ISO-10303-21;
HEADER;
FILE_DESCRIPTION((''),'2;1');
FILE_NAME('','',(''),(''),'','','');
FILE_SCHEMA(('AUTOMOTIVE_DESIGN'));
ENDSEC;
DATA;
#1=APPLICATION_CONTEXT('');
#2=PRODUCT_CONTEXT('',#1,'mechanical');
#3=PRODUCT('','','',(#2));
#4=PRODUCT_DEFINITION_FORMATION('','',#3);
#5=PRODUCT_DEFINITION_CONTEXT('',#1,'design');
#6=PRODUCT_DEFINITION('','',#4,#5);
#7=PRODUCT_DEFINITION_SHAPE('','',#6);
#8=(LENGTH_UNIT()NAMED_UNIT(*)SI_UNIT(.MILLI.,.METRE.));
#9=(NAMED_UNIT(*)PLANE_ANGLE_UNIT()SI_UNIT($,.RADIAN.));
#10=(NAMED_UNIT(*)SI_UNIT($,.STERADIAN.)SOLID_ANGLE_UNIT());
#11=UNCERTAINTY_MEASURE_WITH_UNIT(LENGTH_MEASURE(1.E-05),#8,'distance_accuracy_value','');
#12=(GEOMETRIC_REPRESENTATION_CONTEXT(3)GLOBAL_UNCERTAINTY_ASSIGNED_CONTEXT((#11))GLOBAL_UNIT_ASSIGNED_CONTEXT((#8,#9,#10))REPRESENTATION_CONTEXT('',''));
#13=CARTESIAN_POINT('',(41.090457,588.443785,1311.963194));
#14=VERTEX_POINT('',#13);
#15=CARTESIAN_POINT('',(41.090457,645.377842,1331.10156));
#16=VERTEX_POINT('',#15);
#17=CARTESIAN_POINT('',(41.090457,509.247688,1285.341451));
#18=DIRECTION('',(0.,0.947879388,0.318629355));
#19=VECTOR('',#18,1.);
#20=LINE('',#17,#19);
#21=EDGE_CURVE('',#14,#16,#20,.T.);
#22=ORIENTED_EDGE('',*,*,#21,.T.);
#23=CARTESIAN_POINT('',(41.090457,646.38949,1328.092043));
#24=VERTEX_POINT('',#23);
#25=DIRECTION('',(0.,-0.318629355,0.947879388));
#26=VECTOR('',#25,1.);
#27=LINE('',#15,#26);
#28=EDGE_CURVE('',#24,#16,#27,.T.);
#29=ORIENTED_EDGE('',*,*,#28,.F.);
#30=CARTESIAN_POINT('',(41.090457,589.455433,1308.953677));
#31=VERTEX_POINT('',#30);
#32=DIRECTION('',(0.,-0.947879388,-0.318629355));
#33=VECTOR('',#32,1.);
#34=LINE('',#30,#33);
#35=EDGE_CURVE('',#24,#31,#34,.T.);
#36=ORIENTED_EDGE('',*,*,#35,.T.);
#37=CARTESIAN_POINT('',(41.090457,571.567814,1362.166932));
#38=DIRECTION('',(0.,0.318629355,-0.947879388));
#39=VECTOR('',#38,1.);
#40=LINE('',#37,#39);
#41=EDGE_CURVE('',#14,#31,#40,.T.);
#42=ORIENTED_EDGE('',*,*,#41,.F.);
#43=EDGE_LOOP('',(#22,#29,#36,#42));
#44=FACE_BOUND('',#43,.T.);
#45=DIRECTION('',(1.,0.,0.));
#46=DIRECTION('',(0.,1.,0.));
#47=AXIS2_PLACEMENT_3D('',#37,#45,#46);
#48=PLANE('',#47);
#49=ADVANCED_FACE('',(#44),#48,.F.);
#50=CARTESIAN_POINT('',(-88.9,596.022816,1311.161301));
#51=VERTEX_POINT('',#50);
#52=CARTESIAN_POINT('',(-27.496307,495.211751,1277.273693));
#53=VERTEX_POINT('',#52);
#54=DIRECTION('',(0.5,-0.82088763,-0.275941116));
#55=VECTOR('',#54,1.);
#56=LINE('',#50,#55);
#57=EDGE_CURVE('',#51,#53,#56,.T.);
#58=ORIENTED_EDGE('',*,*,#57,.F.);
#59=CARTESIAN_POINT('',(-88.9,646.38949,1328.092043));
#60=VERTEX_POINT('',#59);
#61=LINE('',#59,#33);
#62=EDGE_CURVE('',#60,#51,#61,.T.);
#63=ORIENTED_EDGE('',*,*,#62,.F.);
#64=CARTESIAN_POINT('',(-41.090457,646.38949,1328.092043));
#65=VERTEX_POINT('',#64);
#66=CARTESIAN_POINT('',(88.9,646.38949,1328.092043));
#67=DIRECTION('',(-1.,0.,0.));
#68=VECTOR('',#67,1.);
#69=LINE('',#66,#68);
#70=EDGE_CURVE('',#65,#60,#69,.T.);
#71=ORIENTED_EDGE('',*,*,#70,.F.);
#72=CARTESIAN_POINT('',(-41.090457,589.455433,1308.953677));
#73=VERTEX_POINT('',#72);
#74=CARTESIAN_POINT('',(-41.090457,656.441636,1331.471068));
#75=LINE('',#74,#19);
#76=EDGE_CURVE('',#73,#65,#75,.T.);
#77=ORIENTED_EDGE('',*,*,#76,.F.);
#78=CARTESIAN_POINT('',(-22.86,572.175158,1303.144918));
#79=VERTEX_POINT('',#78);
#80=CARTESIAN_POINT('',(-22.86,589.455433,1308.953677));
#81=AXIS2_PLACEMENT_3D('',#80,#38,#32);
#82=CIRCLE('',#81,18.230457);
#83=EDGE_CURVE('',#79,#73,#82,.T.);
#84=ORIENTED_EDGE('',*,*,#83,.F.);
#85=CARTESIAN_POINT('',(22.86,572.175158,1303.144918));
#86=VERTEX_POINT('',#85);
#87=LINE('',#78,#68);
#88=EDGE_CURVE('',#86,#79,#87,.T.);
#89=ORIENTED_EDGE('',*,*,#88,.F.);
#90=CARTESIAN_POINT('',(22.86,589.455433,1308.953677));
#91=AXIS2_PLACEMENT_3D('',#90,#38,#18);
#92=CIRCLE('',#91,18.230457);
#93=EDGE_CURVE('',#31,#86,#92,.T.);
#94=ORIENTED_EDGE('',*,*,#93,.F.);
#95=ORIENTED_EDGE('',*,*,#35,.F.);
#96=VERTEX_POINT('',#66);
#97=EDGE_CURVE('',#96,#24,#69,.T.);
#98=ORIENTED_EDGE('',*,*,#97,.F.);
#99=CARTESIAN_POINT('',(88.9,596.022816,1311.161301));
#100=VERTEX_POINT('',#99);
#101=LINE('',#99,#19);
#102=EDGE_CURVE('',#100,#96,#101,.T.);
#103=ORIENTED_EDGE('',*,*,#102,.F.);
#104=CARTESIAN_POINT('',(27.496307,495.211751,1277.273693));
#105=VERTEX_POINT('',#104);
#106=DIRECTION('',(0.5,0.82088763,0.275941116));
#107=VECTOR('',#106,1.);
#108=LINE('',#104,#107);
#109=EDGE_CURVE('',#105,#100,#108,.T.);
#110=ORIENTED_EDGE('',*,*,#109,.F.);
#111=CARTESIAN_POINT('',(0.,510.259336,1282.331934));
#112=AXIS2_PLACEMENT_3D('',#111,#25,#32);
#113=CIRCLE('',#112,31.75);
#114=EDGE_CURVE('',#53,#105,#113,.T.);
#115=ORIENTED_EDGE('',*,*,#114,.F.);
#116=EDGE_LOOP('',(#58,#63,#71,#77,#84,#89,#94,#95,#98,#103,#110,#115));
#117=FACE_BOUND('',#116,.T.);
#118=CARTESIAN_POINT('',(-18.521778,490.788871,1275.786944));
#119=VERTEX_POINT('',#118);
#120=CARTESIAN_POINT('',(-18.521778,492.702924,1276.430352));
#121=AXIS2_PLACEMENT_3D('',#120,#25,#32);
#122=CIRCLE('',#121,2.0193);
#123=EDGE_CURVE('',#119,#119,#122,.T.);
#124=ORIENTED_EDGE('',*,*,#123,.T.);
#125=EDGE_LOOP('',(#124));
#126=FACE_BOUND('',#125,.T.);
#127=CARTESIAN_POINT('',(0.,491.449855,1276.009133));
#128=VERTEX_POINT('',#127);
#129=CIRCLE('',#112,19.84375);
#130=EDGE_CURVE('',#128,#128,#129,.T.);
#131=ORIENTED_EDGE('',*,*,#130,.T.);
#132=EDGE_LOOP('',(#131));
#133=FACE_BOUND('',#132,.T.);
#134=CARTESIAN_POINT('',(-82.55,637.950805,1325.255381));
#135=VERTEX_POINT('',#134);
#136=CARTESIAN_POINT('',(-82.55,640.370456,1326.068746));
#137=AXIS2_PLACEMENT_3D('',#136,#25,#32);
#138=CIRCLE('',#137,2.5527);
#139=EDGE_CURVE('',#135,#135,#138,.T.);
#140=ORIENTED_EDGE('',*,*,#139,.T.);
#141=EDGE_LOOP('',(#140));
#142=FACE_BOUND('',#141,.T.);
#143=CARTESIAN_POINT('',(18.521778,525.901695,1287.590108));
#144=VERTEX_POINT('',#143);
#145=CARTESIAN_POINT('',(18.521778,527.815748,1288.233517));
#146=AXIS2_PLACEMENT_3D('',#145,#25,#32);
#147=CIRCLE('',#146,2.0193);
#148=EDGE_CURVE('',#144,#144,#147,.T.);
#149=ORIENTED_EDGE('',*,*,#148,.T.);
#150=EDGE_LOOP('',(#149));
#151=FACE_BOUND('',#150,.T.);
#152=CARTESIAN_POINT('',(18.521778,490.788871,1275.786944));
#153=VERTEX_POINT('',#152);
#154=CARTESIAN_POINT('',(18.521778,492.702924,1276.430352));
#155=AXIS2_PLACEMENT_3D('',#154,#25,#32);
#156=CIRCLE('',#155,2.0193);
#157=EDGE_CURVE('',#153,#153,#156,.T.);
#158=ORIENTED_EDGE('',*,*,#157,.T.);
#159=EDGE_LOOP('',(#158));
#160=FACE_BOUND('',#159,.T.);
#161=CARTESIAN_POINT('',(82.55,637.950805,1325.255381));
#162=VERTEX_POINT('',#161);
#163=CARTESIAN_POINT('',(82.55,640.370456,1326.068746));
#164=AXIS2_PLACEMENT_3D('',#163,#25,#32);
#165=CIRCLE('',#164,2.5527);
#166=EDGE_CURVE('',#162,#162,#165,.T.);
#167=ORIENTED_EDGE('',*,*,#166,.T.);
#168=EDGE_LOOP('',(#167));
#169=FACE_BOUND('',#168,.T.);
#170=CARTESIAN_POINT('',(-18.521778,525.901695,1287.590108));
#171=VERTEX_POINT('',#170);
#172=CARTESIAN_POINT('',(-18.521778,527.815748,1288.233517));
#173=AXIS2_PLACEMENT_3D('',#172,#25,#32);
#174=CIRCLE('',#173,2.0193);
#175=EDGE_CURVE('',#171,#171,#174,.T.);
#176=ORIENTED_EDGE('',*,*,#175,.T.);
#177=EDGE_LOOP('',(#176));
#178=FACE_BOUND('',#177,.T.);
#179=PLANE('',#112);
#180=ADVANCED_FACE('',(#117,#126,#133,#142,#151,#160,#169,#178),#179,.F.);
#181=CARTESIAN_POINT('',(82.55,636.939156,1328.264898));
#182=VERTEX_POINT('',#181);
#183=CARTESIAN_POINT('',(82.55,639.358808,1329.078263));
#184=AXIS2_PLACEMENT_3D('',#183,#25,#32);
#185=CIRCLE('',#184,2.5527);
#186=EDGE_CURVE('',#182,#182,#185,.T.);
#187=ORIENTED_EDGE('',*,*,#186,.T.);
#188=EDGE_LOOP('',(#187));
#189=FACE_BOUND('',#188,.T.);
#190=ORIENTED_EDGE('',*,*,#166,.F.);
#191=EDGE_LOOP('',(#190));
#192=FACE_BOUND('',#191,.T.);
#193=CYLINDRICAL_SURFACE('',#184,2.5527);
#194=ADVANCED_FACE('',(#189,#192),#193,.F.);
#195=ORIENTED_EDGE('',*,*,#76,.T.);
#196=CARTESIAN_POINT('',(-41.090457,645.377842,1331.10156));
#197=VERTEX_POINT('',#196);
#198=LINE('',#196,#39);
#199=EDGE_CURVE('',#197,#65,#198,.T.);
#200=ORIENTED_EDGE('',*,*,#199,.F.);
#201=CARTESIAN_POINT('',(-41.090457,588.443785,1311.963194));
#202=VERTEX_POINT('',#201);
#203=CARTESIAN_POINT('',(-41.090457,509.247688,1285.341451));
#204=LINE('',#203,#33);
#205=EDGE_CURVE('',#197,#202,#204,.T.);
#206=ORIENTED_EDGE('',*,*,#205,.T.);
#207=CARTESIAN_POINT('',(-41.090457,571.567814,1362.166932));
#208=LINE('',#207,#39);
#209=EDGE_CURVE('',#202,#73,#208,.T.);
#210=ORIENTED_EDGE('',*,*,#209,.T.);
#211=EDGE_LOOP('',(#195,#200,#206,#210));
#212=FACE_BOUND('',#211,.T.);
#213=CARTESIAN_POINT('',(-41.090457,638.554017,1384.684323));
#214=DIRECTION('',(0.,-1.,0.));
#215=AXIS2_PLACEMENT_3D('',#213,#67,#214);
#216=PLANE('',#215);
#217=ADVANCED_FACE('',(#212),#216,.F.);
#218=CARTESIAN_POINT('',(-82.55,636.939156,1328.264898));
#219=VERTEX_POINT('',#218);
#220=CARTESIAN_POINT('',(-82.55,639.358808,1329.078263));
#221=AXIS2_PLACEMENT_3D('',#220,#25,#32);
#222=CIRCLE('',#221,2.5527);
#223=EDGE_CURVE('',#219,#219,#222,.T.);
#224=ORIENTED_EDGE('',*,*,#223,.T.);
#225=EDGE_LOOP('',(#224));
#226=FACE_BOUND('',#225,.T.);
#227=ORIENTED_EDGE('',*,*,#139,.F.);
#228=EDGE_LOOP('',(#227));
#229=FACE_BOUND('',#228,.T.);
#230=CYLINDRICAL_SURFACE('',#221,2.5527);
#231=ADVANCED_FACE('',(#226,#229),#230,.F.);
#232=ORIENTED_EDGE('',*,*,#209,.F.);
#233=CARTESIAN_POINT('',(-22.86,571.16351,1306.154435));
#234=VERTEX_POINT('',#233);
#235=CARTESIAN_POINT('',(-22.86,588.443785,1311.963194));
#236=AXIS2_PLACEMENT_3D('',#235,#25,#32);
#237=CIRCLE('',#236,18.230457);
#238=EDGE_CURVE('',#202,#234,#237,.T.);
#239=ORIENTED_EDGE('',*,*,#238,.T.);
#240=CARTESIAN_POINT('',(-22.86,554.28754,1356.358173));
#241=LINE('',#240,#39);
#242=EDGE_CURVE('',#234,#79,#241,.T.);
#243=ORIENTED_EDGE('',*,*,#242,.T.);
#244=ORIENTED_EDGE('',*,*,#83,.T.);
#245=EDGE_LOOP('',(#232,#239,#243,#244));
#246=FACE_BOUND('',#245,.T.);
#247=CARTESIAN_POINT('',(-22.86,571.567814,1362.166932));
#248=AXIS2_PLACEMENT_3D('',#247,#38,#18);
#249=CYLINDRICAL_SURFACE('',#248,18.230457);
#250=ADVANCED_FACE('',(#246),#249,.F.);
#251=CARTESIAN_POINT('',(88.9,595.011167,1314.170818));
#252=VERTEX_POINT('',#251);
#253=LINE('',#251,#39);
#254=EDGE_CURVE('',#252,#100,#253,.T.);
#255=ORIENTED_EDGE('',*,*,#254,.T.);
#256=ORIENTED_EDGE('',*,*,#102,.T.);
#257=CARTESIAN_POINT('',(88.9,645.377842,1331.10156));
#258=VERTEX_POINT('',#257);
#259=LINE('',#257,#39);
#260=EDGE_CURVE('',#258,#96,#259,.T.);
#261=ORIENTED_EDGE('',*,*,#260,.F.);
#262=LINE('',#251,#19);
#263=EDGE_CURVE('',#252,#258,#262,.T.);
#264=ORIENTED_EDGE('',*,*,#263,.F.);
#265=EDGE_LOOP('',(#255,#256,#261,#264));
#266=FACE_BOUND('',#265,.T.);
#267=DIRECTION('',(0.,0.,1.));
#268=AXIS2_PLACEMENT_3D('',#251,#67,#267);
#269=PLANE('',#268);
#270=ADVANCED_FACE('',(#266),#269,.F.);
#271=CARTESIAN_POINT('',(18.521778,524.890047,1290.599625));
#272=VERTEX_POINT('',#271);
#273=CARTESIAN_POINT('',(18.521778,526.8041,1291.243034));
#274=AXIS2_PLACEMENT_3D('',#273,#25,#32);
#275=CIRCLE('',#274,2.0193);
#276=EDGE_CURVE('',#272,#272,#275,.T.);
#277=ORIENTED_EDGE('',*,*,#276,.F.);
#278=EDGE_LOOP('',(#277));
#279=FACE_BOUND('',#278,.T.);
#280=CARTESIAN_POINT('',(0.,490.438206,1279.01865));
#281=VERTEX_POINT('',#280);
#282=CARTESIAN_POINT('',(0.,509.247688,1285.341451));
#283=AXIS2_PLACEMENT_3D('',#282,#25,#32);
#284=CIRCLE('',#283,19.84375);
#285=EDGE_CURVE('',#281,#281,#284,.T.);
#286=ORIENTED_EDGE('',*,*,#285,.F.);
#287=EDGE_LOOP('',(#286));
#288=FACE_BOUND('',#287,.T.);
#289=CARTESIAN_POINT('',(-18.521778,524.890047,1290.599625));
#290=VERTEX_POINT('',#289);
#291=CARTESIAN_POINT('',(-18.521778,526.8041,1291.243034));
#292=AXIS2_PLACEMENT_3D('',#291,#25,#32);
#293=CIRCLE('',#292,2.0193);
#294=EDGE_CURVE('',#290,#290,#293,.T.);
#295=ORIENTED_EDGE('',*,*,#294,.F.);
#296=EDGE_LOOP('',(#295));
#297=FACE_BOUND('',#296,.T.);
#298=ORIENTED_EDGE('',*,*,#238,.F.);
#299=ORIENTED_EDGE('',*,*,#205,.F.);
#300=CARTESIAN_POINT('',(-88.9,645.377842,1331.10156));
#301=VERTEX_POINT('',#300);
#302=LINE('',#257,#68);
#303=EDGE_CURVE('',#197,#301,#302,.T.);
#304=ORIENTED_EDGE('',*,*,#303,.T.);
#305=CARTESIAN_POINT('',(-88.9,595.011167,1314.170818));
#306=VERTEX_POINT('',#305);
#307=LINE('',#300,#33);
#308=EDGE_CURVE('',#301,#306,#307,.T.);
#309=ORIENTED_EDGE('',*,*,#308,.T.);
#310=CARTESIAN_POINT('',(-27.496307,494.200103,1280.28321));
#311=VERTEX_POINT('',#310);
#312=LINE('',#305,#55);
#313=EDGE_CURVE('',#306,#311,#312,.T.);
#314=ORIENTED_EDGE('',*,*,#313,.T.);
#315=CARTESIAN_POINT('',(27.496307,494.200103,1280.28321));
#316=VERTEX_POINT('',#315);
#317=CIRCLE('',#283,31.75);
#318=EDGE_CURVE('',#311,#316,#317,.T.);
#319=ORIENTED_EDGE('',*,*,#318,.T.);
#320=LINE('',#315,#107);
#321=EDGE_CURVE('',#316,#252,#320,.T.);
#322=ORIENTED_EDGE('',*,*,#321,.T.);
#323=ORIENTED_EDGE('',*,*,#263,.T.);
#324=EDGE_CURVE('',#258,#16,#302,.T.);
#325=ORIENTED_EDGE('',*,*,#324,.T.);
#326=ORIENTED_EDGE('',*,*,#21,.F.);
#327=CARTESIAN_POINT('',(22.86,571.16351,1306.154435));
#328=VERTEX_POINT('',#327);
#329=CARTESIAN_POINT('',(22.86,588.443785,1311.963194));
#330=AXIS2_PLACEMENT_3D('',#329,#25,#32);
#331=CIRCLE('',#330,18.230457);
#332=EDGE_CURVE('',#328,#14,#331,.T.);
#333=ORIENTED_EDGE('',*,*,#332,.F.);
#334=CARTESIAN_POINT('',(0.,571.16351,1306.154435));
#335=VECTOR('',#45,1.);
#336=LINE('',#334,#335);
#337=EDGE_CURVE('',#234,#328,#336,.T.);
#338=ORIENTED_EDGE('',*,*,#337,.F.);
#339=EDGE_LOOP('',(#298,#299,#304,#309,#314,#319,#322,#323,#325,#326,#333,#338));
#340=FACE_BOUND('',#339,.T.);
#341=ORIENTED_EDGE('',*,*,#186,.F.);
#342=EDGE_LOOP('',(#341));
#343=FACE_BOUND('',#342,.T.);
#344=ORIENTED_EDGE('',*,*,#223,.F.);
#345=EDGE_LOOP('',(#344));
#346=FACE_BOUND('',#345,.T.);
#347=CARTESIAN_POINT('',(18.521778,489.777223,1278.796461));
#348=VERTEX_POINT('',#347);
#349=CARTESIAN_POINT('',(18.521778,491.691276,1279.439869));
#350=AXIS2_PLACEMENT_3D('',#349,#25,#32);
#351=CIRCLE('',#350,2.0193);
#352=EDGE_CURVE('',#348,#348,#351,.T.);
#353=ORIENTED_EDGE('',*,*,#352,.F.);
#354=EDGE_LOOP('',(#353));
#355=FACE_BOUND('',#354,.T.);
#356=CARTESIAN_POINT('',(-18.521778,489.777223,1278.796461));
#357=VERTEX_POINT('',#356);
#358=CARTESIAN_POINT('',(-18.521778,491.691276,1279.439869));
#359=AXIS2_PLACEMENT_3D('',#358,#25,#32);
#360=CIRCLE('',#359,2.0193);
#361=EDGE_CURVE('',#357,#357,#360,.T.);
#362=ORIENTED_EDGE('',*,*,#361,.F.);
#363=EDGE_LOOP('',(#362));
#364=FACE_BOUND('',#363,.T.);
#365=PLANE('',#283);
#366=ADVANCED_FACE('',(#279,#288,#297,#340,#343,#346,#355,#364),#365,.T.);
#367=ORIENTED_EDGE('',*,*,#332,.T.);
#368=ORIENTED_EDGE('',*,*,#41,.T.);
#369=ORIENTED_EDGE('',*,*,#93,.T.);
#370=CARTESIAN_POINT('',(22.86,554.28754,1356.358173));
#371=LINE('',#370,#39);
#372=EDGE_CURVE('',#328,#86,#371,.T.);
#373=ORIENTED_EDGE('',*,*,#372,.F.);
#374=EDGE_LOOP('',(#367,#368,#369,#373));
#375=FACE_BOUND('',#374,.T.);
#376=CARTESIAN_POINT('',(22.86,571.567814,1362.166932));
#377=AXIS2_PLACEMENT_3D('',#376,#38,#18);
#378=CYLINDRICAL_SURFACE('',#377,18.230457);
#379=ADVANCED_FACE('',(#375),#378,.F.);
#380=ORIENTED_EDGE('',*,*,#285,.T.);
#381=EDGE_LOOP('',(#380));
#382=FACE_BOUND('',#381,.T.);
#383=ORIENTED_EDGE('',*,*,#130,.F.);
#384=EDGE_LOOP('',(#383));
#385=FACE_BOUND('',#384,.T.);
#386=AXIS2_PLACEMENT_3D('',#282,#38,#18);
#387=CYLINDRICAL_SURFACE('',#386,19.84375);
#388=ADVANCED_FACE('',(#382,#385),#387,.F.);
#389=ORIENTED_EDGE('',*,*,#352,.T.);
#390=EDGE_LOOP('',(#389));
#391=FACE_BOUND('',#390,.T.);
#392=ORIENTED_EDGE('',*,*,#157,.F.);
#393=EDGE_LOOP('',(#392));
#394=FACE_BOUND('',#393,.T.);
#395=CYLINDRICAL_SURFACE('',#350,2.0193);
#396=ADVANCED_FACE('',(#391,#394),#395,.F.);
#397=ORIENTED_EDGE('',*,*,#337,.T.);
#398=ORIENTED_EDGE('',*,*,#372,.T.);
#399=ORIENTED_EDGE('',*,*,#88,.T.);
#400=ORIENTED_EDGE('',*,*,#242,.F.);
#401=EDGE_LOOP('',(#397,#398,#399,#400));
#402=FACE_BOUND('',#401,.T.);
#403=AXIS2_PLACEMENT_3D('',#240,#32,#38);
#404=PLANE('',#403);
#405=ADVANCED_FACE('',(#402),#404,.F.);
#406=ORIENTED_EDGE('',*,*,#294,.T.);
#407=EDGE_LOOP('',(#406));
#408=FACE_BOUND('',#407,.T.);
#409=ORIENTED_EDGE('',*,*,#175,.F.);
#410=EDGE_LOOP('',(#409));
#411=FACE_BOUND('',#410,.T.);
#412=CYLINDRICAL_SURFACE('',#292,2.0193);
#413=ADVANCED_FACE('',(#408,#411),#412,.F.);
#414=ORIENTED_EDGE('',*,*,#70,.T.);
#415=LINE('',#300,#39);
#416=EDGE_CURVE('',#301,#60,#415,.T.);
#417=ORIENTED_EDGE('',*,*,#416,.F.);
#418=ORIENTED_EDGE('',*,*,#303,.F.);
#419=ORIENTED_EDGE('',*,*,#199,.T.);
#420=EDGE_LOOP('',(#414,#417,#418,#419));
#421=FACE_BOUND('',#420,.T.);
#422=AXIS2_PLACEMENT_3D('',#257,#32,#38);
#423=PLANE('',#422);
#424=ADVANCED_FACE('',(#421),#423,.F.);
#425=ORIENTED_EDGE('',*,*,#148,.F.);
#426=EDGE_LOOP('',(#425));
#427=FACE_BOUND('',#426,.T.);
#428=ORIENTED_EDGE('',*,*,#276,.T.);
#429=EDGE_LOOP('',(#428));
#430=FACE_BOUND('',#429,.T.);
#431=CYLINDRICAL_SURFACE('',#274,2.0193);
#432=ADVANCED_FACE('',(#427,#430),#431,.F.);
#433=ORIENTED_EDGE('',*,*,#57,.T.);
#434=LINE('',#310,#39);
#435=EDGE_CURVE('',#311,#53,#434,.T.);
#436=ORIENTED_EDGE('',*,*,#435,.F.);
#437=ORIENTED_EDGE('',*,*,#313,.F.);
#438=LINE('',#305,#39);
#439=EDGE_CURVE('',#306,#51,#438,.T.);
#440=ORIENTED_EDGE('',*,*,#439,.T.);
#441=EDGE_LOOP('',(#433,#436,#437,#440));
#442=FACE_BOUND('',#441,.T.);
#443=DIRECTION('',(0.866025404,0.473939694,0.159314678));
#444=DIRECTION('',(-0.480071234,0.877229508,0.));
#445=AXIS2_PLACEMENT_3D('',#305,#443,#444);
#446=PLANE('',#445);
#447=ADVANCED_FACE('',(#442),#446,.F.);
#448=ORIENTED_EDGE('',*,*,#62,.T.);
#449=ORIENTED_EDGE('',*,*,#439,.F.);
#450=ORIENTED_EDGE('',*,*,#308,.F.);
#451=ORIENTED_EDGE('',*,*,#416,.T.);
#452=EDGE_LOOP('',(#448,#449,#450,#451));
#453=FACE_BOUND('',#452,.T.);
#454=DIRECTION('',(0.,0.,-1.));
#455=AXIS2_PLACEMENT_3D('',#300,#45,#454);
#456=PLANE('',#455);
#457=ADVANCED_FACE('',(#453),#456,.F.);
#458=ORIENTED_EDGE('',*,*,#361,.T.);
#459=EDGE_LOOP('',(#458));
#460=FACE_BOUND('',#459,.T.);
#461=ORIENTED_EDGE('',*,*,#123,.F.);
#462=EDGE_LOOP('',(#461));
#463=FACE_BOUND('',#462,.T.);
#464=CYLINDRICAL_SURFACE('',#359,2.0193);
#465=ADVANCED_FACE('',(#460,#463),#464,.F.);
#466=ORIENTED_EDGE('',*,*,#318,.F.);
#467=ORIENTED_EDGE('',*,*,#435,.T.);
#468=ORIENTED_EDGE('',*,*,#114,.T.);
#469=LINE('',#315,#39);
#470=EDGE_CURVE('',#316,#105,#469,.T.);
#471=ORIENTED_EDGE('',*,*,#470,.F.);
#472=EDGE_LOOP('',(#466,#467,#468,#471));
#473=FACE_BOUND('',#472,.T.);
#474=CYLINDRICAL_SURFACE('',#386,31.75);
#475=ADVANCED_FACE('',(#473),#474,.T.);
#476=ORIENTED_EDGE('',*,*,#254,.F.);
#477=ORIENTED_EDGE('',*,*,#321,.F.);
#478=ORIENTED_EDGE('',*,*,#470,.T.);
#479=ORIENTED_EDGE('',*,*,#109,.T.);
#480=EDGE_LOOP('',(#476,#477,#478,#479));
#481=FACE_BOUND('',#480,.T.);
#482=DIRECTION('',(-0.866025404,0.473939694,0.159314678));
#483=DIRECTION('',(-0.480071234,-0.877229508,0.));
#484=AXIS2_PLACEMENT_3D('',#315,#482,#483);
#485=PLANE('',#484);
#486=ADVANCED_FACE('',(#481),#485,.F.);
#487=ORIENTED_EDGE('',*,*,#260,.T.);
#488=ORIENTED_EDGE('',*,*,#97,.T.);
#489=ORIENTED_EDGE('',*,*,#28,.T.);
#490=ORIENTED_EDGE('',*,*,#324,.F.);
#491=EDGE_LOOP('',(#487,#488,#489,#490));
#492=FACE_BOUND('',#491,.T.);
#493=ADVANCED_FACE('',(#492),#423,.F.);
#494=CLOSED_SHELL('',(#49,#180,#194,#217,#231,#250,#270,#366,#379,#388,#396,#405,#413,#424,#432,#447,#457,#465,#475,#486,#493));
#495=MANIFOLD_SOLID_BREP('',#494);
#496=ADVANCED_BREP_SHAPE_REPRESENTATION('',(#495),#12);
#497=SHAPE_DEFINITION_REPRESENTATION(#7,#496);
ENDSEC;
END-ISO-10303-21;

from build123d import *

# Parameters (mm, degrees)
SKETCH1_R               = 19.84375
BOSS_EXTRUDE1_DEPTH     = 3.175
F_1_4_20_TAPPED_HOLE1_D = 5.1054
F_10_32_TAPPED_HOLE1_D  = 4.0386
CUT_EXTRUDE1_DEPTH      = 57.13926808


with BuildPart() as part:
    # Sketch1 → Boss-Extrude1 (new body)
    with BuildSketch(Plane(origin=(0, -335.48880086, 998.033966912), x_dir=(1, 0, 0), z_dir=(0, -0.318629355, 0.947879388))):
        with BuildLine():
            Line((-88.9, 1035.868385599), (-88.9, 982.73222125))
            Line((-88.9, 982.73222125), (-27.49630657, 876.377904457))
            ThreePointArc((-27.49630657, 876.377904457), (0, 860.502904457), (27.49630657, 876.377904457))
            Line((27.49630657, 876.377904457), (88.9, 982.73222125))
            Line((88.9, 982.73222125), (88.9, 1035.868385599))
            Line((88.9, 1035.868385599), (-88.9, 1035.868385599))
        make_face()
        with Locations((0, 892.252904457)):
            Circle(SKETCH1_R, mode=Mode.SUBTRACT)
    extrude(amount=BOSS_EXTRUDE1_DEPTH)

    # 1/4-20 Tapped Hole1 (through all)
    with Locations(Plane(origin=(0, -336.500449063, 1001.043483969), x_dir=(1, 0, 0), z_dir=(0, -0.318629355, 0.947879388))):
        with Locations((82.55, 1029.518385599), (-82.55, 1029.518385599)):
            Hole(F_1_4_20_TAPPED_HOLE1_D / 2)

    # #10-32 Tapped Hole1 (through all)
    with Locations(Plane(origin=(0, -336.500449063, 1001.043483969), x_dir=(1, 0, 0), z_dir=(0, -0.318629355, 0.947879388))):
        with Locations((18.52177825, 873.731126207), (-18.52177825, 873.731126207), (-18.52177825, 910.774682707), (18.52177825, 910.774682707)):
            Hole(F_10_32_TAPPED_HOLE1_D / 2)

    # Sketch6 → Cut-Extrude1 (cut, through all)
    with BuildSketch(Plane(origin=(0, -335.48880086, 998.033966912), x_dir=(-1, 0, 0), z_dir=(0, 0.318629355, -0.947879388))):
        with BuildLine():
            Line((-41.090457195, 975.803721018), (-41.090457195, 1046.47326385))
            Line((-41.090457195, 1046.47326385), (41.0904572, 1046.47326385))
            Line((41.0904572, 1046.47326385), (41.090457191, 975.803721018))
            ThreePointArc((41.090457191, 975.803721018), (35.75087991, 962.91284113), (22.860000022, 957.57326385))
            Line((22.860000022, 957.57326385), (-22.860000028, 957.57326385))
            ThreePointArc((-22.860000028, 957.57326385), (-35.750879915, 962.91284113), (-41.090457195, 975.803721018))
        make_face()
    extrude(amount=-CUT_EXTRUDE1_DEPTH, mode=Mode.SUBTRACT)


solid = part.part
